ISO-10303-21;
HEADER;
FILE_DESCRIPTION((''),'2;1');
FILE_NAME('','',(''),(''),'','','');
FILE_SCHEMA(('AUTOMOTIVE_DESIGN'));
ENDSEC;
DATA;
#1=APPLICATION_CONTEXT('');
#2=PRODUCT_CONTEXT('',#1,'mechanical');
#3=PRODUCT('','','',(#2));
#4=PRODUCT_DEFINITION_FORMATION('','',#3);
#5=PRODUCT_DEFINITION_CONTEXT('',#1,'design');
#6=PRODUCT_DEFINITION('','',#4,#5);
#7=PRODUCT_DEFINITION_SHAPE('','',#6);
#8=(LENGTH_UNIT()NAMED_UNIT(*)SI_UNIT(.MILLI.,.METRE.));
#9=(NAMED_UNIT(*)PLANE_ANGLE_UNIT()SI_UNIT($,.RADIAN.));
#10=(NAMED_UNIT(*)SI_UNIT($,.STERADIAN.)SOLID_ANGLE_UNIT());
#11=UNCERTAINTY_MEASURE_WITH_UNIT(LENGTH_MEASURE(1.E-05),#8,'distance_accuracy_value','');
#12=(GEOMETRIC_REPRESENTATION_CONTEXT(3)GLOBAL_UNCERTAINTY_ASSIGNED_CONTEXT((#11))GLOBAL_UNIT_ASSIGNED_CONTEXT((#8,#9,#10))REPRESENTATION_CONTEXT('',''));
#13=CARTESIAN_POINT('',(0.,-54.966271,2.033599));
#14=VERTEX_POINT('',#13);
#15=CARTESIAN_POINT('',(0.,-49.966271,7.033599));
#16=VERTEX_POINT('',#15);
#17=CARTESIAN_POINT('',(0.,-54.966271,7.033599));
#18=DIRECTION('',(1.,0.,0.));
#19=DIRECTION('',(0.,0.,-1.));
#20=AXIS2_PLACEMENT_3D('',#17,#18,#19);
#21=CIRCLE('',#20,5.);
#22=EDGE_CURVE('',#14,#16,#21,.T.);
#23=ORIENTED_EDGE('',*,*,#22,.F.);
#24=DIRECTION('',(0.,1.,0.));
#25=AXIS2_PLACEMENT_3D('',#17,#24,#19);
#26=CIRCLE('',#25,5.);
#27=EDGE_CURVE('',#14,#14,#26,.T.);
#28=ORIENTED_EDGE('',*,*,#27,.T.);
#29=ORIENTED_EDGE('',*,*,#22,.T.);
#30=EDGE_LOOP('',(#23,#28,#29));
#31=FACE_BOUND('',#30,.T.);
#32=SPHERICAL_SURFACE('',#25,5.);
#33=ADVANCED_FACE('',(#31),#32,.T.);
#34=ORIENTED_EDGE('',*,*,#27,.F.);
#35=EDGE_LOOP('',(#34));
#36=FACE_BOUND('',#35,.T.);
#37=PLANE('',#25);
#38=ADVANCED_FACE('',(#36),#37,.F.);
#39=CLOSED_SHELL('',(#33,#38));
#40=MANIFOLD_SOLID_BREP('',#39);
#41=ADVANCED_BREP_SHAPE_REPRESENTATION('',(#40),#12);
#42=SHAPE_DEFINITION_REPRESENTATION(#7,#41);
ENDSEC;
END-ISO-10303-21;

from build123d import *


with BuildPart() as part:
    # Sketch1 → Revolve1 (revolve)
    with BuildSketch(Plane(origin=(0, 0, 0), x_dir=(0, 0, -1), z_dir=(1, 0, 0))):
        with BuildLine():
            Line((-7.033598616, -54.966270669), (-2.033598616, -54.966270669))
            ThreePointArc((-2.033598616, -54.966270669), (-3.498064711, -51.430736763), (-7.033598616, -49.966270669))
            Line((-7.033598616, -49.966270669), (-7.033598616, -54.966270669))
        make_face()
    revolve(axis=Axis((0, -54.966270669, 7.033598616), (0, 1, 0)))


solid = part.part
